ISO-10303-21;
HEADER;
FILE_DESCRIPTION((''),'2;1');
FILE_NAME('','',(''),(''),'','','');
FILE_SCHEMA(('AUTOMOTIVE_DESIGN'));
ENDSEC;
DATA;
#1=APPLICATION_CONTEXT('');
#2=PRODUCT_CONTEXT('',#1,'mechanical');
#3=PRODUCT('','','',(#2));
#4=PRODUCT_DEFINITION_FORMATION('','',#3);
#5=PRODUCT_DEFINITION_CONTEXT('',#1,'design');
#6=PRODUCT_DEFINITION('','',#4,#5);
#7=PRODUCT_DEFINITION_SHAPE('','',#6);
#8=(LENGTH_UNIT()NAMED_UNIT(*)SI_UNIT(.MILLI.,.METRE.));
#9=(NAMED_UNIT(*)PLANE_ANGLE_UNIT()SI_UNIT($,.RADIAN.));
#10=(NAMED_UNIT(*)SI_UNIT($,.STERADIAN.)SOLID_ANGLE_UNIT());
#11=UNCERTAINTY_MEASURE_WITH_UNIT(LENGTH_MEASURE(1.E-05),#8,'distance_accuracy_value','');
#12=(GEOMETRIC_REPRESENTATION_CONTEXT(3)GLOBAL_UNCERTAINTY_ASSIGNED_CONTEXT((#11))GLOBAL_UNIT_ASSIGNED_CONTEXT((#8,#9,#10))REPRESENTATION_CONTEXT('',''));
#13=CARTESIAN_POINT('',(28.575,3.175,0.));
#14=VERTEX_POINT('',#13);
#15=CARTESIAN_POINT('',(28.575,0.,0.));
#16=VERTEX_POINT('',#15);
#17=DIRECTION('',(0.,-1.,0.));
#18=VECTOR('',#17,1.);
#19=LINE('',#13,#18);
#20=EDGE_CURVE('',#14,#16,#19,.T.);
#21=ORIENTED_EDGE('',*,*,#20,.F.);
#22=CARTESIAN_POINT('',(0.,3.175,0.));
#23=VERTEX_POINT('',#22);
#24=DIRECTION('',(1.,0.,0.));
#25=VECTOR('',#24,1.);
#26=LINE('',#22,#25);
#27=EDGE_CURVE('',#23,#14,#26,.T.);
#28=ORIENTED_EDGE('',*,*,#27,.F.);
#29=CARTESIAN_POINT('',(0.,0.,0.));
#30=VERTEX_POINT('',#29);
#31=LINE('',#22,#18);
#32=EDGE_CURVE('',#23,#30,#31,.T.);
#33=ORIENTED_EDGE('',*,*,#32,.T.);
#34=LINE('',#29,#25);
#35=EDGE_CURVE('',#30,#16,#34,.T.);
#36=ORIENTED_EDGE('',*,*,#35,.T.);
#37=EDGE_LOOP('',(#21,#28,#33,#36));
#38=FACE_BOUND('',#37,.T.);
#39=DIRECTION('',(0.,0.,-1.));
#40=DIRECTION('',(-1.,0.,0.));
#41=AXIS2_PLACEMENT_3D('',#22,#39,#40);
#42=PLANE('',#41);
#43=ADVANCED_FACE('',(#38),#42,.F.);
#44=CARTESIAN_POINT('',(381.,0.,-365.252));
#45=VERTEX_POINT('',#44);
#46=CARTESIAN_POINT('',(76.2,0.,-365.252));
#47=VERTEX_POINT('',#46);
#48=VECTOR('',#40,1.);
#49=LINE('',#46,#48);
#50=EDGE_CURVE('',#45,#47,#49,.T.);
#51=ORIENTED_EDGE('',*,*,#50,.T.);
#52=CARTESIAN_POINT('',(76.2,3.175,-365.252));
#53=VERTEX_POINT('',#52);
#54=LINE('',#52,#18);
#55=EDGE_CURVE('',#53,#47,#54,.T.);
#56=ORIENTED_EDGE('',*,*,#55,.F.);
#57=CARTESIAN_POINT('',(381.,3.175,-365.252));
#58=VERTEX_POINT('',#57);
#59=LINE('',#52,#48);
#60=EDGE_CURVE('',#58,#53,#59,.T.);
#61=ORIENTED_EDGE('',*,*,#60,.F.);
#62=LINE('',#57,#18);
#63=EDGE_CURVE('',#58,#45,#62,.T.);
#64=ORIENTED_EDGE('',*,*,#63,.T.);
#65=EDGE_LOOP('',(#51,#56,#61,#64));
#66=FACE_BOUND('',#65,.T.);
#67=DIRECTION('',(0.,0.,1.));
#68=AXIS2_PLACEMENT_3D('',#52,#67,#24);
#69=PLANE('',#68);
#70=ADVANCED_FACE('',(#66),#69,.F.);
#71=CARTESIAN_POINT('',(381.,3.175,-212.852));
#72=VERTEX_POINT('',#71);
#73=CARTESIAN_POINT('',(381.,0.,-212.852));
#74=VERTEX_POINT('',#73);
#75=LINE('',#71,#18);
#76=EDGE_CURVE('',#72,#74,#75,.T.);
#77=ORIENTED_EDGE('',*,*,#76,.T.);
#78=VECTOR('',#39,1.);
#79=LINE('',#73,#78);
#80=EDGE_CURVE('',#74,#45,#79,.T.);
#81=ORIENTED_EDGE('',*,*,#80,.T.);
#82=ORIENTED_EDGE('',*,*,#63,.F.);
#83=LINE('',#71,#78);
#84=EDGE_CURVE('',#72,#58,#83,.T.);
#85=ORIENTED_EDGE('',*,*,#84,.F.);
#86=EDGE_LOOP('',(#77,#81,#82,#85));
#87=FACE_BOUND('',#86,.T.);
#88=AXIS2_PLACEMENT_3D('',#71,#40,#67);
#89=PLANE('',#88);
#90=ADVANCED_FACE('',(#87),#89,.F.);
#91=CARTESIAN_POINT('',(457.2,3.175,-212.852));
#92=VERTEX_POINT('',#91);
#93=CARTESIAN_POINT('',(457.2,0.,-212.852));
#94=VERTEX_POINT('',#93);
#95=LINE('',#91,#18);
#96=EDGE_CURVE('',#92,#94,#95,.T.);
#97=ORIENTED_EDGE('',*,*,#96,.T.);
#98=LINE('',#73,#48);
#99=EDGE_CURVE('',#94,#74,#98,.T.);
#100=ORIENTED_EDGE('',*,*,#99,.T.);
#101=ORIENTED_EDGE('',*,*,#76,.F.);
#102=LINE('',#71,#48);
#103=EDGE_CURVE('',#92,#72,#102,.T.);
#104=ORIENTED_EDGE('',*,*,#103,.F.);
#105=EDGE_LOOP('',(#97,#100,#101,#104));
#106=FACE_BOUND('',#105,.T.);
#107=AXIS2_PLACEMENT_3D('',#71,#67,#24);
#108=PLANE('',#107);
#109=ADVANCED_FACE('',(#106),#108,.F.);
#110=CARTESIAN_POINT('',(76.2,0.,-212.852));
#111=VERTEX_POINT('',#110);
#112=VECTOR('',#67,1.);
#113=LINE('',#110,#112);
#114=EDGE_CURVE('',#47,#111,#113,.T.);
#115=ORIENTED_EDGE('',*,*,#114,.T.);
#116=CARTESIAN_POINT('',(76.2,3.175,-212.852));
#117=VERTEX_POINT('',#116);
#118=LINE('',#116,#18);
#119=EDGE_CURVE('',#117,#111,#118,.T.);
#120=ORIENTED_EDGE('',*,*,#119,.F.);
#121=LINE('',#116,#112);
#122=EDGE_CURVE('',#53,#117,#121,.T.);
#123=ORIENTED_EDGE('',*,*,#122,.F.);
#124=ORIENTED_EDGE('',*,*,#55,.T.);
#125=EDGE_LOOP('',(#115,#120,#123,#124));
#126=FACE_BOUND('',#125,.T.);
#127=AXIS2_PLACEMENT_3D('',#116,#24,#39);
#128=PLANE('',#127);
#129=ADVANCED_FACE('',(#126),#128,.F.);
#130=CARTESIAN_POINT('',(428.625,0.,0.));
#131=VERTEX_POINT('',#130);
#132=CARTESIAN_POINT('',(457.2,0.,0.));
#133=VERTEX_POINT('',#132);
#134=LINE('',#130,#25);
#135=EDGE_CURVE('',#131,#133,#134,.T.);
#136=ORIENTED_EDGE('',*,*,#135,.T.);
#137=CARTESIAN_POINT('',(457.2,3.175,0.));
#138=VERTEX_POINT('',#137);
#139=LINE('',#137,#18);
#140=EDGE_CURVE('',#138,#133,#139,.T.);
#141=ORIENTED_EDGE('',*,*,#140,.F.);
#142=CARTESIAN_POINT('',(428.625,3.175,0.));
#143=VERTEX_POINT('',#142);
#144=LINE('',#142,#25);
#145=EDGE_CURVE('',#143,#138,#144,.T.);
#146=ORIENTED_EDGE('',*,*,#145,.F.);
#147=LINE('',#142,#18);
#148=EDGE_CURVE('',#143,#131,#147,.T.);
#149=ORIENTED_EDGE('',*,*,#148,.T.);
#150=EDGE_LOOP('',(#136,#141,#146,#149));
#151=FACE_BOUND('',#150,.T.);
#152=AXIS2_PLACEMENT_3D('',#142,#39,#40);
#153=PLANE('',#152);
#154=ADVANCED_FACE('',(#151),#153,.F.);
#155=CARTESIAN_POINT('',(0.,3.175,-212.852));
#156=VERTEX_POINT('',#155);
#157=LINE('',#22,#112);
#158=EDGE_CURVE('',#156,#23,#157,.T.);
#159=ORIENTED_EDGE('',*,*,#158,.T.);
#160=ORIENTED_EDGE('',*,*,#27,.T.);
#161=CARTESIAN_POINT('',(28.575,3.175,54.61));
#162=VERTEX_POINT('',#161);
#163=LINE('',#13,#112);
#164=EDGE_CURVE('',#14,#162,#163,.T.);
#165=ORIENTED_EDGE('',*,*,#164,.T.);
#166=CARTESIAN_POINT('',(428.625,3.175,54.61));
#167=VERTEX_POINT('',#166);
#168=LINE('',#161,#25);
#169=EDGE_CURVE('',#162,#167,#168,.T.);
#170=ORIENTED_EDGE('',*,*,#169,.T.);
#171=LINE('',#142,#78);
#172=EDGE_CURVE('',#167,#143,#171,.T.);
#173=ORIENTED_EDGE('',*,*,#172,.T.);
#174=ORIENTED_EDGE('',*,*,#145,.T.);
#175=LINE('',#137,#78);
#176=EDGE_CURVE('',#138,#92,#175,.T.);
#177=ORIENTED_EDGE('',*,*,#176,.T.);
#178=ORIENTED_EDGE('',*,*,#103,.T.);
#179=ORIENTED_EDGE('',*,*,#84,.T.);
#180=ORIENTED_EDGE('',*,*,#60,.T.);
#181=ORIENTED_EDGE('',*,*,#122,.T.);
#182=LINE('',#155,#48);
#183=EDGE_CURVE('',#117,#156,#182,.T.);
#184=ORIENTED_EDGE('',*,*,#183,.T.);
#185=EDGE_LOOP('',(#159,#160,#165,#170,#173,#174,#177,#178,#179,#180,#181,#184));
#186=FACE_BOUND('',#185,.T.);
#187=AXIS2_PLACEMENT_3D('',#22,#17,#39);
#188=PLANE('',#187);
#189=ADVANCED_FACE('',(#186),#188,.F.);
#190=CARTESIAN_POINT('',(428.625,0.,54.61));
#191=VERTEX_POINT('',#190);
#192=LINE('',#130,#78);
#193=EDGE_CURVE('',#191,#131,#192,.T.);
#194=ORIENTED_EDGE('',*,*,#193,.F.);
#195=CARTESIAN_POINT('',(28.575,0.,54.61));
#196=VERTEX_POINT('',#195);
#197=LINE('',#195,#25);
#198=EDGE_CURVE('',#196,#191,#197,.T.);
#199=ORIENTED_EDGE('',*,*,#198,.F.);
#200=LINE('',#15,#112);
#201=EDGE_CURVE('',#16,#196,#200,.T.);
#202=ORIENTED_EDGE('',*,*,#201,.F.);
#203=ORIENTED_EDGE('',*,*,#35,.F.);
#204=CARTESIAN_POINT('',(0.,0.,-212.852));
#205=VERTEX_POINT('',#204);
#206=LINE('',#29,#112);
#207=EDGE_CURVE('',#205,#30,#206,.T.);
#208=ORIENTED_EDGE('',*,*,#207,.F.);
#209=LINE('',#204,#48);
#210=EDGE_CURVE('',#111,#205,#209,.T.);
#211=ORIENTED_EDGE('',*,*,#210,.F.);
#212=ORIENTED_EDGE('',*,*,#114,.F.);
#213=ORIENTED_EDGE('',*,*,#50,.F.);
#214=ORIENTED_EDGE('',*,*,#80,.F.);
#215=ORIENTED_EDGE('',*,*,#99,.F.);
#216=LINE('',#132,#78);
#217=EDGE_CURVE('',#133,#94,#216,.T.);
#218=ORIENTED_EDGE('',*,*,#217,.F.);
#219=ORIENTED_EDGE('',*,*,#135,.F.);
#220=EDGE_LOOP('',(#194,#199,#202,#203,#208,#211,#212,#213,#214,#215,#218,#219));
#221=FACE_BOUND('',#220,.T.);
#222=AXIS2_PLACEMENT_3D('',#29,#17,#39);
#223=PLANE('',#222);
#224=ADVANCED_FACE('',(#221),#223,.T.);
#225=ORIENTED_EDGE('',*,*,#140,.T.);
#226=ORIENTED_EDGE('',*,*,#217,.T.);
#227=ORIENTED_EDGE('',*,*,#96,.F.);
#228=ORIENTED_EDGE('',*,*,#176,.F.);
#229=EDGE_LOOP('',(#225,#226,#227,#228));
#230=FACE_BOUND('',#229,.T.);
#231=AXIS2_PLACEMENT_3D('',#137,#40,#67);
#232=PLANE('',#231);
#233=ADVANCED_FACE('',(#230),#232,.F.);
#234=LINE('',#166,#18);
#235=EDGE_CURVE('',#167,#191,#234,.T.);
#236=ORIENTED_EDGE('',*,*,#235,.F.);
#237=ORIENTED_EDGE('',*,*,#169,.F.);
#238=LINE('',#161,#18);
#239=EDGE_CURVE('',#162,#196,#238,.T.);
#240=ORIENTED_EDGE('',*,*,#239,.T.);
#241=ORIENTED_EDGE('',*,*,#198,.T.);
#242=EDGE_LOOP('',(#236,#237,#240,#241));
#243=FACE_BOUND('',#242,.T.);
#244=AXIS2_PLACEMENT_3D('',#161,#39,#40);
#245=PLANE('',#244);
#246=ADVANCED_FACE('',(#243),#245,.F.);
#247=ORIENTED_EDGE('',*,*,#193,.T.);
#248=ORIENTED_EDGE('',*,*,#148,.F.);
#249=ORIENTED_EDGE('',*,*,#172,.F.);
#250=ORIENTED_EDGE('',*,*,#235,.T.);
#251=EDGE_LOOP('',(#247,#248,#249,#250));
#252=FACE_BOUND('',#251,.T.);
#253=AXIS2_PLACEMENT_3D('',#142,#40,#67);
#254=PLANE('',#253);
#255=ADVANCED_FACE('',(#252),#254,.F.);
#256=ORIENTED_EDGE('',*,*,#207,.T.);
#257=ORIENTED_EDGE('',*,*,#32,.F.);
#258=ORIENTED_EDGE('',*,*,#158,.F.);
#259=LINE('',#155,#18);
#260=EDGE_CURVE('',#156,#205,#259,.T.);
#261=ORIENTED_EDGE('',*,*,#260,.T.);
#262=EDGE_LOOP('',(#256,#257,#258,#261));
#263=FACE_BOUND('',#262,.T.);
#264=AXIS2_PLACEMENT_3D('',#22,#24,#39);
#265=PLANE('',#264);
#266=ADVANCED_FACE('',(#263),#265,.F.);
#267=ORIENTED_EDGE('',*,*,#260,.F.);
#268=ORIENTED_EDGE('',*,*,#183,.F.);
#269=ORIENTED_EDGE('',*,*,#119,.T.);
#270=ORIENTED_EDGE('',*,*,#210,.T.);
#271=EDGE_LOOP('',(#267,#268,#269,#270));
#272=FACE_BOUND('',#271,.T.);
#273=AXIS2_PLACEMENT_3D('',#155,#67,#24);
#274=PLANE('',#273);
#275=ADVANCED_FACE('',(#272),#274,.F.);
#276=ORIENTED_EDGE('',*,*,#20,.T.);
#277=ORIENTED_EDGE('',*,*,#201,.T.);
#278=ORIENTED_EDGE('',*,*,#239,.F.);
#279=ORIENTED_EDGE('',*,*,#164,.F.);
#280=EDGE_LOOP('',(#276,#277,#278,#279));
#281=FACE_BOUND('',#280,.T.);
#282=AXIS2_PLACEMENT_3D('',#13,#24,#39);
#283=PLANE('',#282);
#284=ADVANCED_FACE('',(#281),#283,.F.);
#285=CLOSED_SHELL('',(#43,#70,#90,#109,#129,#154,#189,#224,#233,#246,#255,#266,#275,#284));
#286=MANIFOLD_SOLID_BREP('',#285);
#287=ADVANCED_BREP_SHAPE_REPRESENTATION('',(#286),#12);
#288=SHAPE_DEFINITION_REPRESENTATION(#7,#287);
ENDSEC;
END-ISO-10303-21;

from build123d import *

# Parameters (mm, degrees)
BOSS_EXTRUDE1_DEPTH = 3.175


with BuildPart() as part:
    # Sketch1 → Boss-Extrude1 (new body)
    with BuildSketch(Plane(origin=(0, 0, 0), x_dir=(1, 0, 0), z_dir=(0, 1, 0))):
        Polygon((381, 212.852), (457.2, 212.852), (457.2, 0), (428.625, 0), (428.625, -54.61), (28.575, -54.61), (28.575, 0), (0, 0), (0, 212.852), (76.2, 212.852), (76.2, 365.252), (381, 365.252), align=None)
    extrude(amount=BOSS_EXTRUDE1_DEPTH)


solid = part.part
